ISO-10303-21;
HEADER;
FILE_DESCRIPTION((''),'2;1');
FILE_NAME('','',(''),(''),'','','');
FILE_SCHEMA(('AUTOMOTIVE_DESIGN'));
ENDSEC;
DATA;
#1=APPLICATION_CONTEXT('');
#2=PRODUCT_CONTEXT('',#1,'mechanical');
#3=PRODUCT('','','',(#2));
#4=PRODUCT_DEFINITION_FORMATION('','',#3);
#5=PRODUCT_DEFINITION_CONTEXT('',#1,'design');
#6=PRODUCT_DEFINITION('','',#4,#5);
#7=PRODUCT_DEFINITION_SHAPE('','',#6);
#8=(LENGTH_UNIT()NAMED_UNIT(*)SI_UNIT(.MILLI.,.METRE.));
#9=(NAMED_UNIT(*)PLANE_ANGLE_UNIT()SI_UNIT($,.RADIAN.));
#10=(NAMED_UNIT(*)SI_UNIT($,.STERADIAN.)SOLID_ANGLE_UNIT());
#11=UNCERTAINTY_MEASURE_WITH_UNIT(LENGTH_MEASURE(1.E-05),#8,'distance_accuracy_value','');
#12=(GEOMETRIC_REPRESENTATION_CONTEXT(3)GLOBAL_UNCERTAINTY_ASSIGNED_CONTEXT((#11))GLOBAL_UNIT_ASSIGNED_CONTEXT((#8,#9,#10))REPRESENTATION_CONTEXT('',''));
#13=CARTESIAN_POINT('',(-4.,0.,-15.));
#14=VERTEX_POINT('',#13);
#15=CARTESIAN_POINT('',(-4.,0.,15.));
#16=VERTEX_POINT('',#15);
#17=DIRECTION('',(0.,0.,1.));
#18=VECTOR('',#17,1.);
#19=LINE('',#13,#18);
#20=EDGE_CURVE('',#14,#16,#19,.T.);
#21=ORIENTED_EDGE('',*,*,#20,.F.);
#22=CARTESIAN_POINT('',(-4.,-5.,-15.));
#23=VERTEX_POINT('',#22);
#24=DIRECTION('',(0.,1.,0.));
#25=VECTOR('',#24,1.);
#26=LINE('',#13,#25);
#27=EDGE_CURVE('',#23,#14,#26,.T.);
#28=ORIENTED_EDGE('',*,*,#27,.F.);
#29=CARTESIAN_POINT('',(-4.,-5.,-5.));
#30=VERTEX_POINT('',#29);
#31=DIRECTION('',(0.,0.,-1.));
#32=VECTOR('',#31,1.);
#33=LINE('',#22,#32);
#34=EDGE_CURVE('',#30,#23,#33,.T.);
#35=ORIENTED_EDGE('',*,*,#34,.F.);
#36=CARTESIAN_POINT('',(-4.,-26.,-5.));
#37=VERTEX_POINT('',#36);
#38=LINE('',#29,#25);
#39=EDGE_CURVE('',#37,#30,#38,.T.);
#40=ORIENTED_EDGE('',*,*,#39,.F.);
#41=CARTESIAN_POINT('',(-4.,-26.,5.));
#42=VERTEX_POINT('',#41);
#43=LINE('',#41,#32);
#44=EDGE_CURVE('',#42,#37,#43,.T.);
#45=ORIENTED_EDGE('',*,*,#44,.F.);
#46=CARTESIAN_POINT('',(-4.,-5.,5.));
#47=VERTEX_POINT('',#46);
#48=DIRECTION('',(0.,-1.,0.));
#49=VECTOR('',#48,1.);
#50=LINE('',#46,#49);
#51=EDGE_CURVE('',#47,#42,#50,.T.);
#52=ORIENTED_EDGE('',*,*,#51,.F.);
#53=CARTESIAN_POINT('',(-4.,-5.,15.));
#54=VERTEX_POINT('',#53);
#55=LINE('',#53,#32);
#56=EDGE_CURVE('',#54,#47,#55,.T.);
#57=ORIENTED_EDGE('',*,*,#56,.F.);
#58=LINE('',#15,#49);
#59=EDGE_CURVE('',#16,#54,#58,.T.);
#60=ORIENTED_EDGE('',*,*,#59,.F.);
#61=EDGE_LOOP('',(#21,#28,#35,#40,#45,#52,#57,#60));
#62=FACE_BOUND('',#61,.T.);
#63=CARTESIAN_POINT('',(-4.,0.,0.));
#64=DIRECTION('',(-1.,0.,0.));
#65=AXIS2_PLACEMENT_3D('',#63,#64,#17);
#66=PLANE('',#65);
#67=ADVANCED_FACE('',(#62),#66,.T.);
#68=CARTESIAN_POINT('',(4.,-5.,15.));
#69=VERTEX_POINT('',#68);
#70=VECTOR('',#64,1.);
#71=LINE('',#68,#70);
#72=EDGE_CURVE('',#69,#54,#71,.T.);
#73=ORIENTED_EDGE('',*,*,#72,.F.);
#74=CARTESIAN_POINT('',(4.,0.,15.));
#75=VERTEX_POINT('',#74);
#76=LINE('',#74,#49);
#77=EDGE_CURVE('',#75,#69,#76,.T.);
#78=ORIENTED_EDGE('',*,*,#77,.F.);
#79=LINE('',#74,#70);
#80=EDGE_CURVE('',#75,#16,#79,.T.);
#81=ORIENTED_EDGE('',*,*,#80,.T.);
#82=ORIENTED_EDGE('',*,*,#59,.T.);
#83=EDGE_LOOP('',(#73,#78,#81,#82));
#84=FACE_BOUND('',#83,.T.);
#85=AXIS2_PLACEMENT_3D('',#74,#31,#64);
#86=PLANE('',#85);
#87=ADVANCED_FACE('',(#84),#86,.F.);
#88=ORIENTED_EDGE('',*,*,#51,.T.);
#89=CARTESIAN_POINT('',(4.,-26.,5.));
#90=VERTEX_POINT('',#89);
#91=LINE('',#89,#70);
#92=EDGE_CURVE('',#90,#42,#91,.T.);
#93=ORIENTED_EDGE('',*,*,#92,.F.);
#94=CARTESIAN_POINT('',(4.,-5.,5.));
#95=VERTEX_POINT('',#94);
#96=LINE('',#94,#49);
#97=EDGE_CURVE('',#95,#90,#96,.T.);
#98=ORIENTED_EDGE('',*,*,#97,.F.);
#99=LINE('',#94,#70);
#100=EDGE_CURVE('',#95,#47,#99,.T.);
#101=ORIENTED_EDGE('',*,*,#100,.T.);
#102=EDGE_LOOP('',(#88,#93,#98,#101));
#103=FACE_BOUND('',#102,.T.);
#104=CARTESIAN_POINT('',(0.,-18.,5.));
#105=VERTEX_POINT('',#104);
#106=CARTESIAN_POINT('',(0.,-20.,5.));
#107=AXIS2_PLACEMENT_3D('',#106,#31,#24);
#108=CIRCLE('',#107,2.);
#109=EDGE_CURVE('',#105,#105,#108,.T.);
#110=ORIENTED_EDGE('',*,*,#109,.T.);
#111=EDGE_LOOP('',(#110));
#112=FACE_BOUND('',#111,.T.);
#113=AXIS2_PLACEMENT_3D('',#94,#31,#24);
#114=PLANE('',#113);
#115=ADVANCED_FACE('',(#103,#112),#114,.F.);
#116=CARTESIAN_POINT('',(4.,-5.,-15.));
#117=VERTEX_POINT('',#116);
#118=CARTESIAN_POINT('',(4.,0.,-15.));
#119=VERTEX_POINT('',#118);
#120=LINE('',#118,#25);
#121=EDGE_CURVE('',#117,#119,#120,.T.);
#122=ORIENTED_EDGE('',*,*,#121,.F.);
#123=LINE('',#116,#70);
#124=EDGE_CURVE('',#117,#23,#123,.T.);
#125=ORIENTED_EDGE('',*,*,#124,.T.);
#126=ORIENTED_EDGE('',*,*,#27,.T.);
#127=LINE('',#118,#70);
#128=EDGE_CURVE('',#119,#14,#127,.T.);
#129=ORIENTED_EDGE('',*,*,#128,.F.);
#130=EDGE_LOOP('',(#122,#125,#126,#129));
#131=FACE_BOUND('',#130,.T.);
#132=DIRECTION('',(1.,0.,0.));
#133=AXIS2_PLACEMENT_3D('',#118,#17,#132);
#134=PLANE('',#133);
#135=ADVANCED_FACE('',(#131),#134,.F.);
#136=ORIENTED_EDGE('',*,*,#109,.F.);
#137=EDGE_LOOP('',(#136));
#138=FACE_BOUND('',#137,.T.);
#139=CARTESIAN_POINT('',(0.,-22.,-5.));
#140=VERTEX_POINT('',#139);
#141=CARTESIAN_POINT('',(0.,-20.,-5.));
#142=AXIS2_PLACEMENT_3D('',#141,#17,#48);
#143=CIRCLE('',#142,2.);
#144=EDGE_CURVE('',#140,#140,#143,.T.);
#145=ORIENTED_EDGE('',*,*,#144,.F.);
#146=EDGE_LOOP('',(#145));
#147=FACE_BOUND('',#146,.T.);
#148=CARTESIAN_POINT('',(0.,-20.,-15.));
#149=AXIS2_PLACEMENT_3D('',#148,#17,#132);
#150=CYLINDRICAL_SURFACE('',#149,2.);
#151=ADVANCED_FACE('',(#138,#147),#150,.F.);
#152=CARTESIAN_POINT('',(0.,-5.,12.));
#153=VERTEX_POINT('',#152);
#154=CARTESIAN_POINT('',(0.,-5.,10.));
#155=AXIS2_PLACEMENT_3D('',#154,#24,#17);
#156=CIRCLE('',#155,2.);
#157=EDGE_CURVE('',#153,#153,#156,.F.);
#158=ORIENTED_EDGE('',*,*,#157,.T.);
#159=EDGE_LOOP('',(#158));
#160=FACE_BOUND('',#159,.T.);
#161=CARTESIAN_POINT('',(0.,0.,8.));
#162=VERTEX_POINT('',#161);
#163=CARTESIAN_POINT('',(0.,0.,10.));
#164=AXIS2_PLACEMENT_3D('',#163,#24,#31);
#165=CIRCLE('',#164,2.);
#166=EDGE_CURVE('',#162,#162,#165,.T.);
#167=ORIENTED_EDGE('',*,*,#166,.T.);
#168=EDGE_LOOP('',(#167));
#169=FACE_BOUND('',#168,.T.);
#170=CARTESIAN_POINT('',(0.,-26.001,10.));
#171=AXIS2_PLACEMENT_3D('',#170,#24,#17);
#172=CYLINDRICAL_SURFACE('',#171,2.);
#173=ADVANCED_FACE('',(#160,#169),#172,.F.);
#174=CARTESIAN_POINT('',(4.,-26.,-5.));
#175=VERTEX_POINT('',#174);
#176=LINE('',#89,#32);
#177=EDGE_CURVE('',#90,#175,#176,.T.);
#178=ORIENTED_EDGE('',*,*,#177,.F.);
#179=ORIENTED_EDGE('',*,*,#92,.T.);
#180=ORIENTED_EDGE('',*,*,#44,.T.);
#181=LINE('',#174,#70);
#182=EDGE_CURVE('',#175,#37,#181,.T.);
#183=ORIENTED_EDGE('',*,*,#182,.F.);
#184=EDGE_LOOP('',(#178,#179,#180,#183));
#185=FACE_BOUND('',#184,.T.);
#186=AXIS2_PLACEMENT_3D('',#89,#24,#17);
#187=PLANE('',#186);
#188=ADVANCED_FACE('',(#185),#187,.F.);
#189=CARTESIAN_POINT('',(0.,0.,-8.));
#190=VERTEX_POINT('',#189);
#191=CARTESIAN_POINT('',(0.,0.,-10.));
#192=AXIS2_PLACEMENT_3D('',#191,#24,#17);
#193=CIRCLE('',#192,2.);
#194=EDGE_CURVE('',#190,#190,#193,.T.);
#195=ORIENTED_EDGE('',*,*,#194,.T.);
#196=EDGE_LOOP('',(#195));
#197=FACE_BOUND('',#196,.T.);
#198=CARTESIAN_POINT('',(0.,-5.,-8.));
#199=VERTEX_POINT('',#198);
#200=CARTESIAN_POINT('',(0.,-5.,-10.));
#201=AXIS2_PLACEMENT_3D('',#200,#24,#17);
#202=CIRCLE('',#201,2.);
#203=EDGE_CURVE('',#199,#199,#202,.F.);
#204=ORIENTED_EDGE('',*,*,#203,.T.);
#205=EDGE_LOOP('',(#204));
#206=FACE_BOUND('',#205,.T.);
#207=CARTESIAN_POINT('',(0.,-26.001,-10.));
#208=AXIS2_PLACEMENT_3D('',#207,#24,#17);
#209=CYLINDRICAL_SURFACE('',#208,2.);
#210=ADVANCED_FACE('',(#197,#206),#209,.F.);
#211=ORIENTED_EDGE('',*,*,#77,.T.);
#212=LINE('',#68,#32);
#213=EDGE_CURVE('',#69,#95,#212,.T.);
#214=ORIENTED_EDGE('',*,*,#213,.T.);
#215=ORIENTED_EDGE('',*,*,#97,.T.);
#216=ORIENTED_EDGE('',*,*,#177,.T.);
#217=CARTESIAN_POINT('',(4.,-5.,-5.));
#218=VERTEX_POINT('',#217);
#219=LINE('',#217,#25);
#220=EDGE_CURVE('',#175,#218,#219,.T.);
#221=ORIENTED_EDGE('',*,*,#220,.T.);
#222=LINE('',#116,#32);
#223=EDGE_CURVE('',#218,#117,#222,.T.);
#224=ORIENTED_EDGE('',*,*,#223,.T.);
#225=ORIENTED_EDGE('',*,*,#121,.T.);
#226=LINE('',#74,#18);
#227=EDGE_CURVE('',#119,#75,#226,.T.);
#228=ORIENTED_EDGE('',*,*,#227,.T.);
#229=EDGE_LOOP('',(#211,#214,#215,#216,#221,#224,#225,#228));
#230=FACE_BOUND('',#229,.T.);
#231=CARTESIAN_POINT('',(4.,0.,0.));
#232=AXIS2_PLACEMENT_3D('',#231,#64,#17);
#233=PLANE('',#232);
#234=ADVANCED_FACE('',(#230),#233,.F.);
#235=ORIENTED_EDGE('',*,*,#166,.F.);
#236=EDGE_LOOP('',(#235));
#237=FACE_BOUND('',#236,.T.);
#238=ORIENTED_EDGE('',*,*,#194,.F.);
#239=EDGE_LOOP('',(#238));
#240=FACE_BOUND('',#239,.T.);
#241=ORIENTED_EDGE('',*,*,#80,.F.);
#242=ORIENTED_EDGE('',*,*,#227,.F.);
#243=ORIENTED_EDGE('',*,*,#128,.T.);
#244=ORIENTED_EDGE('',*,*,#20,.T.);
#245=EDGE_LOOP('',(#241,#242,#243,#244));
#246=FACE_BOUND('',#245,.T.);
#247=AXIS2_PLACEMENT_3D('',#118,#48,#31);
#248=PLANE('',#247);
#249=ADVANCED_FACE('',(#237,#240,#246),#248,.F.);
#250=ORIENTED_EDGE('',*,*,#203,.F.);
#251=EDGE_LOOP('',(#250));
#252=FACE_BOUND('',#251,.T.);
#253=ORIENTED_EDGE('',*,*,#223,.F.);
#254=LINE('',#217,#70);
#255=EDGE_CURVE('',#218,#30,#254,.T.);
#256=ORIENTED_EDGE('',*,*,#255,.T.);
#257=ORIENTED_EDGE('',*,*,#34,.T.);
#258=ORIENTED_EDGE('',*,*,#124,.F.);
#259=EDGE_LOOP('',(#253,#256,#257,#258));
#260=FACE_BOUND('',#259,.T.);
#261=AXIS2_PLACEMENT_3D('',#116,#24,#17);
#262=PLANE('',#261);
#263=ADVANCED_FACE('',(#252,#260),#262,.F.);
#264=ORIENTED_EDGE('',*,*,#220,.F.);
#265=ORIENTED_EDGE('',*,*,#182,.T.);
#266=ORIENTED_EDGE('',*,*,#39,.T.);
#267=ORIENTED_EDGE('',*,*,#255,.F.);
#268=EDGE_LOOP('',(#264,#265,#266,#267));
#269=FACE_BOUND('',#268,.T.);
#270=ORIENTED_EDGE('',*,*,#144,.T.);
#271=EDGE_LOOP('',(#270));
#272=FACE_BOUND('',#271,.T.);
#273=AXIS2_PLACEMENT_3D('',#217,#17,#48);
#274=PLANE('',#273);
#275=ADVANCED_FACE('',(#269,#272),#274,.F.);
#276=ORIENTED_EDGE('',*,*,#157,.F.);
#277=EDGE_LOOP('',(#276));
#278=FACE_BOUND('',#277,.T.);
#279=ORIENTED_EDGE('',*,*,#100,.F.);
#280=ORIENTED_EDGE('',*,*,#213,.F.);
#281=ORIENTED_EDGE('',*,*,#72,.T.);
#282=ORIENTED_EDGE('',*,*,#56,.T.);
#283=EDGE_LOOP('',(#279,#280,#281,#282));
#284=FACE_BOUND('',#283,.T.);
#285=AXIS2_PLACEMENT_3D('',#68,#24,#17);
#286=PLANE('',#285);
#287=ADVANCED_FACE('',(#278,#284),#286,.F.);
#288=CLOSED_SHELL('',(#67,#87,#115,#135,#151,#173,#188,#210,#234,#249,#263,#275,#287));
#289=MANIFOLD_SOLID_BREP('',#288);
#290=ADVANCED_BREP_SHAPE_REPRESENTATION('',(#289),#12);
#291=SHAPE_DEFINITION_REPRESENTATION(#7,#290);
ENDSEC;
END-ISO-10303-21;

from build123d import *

# Parameters (mm, degrees)
EXTRUDE_1_DEPTH          = 4
CUT_EXTRUDE_1_REACH      = 32.282
SKETCH_2_R               = 2
CUT_EXTRUDE_2_DEPTH      = 31.282007859
CUT_EXTRUDE_2_DEPTH_BACK = 31.282007859
SKETCH_3_R               = 2


with BuildPart() as part:
    # 草图1 → 凸台-拉伸1 (new, symmetric)
    with BuildSketch(Plane(origin=(0, 0, 0), x_dir=(0, 0, -1), z_dir=(1, 0, 0))):
        Polygon((-15, 0), (-15, -5), (-5, -5), (-5, -26), (5, -26), (5, -5), (15, -5), (15, 0), (0, 0), align=None)
    extrude(amount=EXTRUDE_1_DEPTH, both=True)

    # 草图2 → 切除-拉伸1 (cut, up to next)
    with BuildSketch(Plane(origin=(0, 0, 0), x_dir=(1, 0, 0), z_dir=(0, 1, 0)), mode=Mode.PRIVATE) as cut_extrude_1_sk1:
        with Locations(Location((0, 10, 0), (0, 0, 270))):
            Circle(SKETCH_2_R)
    cut_extrude_1_tool1 = extrude(cut_extrude_1_sk1.sketch, amount=-CUT_EXTRUDE_1_REACH, mode=Mode.PRIVATE) & part.part
    # 草图2 → 切除-拉伸1 (cut, up to next)
    with BuildSketch(Plane(origin=(0, 0, 0), x_dir=(1, 0, 0), z_dir=(0, 1, 0)), mode=Mode.PRIVATE) as cut_extrude_1_sk2:
        with Locations(Location((0, -10, 0), (0, 0, 270))):
            Circle(SKETCH_2_R)
    cut_extrude_1_tool2 = extrude(cut_extrude_1_sk2.sketch, amount=-CUT_EXTRUDE_1_REACH, mode=Mode.PRIVATE) & part.part
    add(cut_extrude_1_tool1.solids().sort_by_distance((0, 0, -10))[0], mode=Mode.SUBTRACT)
    add(cut_extrude_1_tool2.solids().sort_by_distance((0, 0, 10))[0], mode=Mode.SUBTRACT)

    # 草图3 → 切除-拉伸2 (cut, two sides: drawn at the far end of the back side and taken through both)
    with BuildSketch(Plane.XY.offset(-CUT_EXTRUDE_2_DEPTH_BACK)):
        with Locations(Location((0, -20, 0), (0, 0, 270))):
            Circle(SKETCH_3_R)
    extrude(amount=CUT_EXTRUDE_2_DEPTH + CUT_EXTRUDE_2_DEPTH_BACK, mode=Mode.SUBTRACT)


solid = part.part
